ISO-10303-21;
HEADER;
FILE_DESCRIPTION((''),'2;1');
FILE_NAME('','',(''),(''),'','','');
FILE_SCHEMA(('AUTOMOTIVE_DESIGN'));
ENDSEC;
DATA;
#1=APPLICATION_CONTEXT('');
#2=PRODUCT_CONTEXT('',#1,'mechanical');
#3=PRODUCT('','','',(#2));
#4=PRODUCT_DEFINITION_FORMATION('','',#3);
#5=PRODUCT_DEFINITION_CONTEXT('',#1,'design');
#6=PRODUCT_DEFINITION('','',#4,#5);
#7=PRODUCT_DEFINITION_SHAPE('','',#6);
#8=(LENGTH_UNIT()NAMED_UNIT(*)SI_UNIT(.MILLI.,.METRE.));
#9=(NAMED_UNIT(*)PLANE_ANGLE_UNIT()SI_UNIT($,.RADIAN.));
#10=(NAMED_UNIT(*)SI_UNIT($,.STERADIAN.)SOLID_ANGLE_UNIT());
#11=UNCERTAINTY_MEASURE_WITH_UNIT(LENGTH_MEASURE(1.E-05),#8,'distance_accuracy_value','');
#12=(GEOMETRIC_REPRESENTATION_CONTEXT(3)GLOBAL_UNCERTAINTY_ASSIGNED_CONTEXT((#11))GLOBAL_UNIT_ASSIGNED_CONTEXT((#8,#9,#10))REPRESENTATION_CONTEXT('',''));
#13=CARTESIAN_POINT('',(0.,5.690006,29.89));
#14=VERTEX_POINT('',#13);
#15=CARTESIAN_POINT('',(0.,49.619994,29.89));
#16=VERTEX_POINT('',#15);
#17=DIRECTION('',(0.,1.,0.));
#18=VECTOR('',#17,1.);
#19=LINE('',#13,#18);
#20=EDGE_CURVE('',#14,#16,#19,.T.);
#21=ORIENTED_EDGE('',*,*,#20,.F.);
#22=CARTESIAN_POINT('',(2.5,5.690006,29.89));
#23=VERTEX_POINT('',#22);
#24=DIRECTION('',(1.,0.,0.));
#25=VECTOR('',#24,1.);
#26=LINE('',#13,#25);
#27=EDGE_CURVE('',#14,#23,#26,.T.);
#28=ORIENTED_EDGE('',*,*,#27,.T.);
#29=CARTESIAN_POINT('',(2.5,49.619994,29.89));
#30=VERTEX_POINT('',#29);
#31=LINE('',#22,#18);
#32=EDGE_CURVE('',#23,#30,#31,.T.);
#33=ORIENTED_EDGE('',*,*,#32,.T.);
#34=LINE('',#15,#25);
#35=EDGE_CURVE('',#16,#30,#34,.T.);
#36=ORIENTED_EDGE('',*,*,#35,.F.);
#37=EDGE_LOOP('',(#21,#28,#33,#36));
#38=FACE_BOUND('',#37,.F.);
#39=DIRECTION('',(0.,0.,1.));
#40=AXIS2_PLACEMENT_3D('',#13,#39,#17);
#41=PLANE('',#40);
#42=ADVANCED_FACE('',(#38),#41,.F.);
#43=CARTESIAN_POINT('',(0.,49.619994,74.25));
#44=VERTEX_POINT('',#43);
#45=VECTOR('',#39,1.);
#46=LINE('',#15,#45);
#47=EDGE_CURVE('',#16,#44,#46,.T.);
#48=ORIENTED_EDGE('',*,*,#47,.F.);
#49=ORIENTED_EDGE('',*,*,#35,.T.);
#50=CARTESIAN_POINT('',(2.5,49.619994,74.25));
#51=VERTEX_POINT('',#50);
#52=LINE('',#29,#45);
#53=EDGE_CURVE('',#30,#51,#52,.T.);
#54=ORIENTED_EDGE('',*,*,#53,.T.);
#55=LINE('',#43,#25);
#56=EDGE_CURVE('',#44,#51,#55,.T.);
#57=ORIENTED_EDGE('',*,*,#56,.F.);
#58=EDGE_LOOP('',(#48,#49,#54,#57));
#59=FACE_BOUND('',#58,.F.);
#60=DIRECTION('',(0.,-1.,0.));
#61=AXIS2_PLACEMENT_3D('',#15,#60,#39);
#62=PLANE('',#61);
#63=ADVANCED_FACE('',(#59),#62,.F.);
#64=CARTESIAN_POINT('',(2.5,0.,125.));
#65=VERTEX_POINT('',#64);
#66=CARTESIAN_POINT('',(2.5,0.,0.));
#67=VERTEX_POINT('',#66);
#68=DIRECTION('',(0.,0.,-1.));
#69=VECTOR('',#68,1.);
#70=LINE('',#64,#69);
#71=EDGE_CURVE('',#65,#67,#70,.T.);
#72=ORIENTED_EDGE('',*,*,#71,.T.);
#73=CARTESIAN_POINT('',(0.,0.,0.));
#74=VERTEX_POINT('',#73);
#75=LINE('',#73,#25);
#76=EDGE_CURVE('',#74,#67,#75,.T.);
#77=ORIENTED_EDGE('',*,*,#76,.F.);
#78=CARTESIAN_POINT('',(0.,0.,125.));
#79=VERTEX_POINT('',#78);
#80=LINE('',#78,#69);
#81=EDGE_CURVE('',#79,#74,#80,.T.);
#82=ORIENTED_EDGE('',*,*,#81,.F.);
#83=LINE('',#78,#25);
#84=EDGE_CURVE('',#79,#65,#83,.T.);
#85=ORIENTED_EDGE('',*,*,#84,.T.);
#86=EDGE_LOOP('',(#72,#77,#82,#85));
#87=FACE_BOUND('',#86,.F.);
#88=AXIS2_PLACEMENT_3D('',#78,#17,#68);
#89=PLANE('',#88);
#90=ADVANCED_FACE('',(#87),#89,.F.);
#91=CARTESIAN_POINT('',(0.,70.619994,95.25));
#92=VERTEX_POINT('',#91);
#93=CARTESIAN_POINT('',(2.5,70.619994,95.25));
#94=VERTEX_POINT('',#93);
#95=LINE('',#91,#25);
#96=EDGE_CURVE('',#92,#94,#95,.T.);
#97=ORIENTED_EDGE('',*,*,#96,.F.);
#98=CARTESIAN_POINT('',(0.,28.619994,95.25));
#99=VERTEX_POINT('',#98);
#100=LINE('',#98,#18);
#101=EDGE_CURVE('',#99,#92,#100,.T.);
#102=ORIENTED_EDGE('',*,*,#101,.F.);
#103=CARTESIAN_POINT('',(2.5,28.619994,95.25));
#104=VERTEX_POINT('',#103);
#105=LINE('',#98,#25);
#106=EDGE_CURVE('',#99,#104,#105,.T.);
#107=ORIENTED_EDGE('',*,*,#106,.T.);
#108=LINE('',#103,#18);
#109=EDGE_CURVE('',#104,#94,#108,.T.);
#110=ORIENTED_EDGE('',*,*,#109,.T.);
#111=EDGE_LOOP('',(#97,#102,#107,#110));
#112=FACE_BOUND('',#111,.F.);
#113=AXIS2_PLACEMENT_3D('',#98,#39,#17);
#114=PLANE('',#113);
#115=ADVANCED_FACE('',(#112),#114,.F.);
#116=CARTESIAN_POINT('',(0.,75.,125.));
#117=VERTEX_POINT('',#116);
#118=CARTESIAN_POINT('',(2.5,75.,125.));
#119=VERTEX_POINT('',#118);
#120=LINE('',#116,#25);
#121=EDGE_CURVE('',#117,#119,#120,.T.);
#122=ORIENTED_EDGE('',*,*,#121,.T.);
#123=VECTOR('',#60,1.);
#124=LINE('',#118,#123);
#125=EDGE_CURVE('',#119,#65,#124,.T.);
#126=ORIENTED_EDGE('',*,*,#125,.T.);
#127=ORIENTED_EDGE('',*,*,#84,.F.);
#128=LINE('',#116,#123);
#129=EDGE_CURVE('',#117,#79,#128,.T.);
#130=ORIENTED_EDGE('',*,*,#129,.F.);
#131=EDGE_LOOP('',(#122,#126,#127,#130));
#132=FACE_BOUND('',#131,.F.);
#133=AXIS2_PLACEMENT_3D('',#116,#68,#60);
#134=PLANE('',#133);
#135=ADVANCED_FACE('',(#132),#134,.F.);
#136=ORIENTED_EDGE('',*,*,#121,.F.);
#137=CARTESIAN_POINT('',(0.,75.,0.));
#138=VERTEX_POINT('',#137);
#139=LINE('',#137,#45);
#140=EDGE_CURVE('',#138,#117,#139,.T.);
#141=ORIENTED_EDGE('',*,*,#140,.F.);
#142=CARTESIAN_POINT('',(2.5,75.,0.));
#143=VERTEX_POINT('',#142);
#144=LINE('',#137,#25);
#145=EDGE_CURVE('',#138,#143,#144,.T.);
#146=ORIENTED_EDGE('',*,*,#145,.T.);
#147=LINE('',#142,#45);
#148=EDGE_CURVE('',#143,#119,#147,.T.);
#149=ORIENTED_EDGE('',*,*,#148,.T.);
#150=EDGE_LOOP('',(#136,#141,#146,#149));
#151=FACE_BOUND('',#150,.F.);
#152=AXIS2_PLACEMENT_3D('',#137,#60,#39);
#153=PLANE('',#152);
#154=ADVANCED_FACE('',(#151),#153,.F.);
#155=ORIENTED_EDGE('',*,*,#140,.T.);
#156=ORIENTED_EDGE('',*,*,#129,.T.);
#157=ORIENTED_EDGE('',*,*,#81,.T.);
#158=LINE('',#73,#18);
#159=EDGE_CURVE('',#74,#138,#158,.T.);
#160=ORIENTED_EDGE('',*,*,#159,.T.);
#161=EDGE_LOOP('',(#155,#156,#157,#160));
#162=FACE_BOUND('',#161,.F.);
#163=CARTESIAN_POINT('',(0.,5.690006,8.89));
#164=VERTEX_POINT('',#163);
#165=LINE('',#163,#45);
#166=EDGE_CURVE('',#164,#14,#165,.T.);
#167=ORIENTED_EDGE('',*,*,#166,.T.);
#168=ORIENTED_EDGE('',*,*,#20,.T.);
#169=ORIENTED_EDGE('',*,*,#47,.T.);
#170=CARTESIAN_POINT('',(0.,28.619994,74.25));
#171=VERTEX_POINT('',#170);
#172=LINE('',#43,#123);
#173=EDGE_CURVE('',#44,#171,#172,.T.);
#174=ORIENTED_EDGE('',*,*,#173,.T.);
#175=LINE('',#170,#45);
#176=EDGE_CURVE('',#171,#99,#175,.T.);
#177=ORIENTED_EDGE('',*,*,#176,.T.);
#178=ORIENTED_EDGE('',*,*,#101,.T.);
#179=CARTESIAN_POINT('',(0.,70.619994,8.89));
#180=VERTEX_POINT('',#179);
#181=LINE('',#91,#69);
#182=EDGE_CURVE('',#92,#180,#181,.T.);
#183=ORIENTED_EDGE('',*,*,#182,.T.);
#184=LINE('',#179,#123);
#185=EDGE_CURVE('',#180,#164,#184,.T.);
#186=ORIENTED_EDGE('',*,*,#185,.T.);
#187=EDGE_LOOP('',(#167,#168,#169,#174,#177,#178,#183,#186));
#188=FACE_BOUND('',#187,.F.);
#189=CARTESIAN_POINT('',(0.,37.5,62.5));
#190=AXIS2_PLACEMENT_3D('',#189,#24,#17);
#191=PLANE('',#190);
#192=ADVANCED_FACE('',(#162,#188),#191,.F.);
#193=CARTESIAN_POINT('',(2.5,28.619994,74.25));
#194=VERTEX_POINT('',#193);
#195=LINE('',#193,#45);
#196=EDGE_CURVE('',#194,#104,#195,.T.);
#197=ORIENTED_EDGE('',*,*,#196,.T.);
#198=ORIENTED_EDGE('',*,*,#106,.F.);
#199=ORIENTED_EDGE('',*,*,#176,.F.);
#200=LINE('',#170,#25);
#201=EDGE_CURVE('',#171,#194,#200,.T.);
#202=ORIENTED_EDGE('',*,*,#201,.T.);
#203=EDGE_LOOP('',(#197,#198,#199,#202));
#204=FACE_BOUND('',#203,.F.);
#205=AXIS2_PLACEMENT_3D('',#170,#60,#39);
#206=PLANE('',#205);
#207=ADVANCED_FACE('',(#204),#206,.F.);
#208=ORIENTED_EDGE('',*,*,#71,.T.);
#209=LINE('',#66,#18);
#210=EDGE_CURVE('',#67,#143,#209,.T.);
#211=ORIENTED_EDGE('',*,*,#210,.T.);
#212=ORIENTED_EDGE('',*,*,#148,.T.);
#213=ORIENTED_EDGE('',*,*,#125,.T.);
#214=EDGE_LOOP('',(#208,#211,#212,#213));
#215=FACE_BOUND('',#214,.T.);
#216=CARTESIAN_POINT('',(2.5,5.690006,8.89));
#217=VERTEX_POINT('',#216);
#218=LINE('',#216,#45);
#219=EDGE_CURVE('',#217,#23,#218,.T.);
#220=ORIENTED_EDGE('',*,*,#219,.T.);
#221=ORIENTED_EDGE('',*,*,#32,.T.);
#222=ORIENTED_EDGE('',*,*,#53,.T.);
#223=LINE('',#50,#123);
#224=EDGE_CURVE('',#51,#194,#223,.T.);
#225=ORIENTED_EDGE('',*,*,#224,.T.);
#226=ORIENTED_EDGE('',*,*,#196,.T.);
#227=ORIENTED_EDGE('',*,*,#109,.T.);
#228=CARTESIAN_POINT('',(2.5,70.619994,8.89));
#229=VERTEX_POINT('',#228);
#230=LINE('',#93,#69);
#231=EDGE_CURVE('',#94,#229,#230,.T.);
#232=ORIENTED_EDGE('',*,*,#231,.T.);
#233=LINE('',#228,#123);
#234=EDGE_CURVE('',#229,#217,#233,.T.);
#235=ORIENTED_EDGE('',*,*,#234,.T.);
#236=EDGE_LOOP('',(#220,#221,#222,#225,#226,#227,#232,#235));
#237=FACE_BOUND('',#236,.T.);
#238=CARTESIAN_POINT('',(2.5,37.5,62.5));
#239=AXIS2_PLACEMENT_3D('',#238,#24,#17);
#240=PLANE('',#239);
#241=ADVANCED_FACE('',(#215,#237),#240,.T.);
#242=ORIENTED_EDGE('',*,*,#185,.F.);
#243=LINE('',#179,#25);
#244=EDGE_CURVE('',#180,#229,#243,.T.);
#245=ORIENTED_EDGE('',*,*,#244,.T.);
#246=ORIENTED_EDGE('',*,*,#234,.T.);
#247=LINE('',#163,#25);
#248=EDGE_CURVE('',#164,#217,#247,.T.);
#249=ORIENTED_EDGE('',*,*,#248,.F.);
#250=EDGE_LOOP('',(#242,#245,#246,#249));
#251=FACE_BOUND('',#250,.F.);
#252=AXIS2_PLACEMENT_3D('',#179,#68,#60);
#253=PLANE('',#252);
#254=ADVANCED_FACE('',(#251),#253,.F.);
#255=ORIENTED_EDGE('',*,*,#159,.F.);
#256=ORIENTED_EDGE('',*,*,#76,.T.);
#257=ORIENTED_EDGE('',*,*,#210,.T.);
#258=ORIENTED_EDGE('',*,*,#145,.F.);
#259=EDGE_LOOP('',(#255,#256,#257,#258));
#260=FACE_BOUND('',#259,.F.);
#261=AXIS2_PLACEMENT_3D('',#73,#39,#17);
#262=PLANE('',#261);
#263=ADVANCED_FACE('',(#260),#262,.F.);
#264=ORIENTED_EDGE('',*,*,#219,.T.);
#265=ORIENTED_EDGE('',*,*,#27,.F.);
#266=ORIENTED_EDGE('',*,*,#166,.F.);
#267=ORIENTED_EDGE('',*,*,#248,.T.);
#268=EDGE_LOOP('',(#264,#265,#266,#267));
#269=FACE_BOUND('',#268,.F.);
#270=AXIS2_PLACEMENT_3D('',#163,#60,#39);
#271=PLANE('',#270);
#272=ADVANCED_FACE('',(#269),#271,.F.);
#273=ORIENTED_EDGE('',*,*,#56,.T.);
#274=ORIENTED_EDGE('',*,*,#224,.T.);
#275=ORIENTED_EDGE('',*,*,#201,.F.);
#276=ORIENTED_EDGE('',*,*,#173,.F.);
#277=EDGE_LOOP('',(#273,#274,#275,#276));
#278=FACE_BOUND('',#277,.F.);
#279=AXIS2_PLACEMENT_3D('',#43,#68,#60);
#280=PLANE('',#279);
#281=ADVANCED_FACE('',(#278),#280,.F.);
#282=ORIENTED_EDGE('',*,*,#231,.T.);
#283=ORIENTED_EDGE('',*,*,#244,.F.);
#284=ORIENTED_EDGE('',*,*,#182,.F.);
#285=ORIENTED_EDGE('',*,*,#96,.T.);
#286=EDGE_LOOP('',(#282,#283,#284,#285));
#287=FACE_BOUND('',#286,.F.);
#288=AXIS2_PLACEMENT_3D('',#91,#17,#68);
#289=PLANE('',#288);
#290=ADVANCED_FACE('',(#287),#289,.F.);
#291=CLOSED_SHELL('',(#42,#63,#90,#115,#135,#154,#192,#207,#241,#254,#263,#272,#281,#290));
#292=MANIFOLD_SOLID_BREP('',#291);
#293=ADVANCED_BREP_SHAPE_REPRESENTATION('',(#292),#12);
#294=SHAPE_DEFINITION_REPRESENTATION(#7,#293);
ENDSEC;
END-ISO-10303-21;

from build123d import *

# Parameters (mm, degrees)
F1_DEPTH = 2.5


with BuildPart() as f1:
    # F0 (on Right) → F1 (new body)
    with BuildSketch(Plane.YZ):
        Polygon((0, 125), (0, 0), (75, 0), (75, 125), (72.5, 125), (44.505585, 125), align=None)
        Polygon((44.505585, 121.19), (72.5, 121.19), (72.5, 3.81), (3.81, 3.81), (3.81, 121.19), align=None, mode=Mode.SUBTRACT)
        Polygon((72.5, 3.81), (72.5, 121.19), (44.505585, 121.19), (3.81, 121.19), (3.81, 3.81), align=None)
        Polygon((5.690006, 8.89), (5.690006, 29.89), (49.619994, 29.89), (49.619994, 74.25), (28.619994, 74.25), (28.619994, 95.25), (70.619994, 95.25), (70.619994, 8.89), align=None, mode=Mode.SUBTRACT)
    extrude(amount=F1_DEPTH)


solid = f1.part
